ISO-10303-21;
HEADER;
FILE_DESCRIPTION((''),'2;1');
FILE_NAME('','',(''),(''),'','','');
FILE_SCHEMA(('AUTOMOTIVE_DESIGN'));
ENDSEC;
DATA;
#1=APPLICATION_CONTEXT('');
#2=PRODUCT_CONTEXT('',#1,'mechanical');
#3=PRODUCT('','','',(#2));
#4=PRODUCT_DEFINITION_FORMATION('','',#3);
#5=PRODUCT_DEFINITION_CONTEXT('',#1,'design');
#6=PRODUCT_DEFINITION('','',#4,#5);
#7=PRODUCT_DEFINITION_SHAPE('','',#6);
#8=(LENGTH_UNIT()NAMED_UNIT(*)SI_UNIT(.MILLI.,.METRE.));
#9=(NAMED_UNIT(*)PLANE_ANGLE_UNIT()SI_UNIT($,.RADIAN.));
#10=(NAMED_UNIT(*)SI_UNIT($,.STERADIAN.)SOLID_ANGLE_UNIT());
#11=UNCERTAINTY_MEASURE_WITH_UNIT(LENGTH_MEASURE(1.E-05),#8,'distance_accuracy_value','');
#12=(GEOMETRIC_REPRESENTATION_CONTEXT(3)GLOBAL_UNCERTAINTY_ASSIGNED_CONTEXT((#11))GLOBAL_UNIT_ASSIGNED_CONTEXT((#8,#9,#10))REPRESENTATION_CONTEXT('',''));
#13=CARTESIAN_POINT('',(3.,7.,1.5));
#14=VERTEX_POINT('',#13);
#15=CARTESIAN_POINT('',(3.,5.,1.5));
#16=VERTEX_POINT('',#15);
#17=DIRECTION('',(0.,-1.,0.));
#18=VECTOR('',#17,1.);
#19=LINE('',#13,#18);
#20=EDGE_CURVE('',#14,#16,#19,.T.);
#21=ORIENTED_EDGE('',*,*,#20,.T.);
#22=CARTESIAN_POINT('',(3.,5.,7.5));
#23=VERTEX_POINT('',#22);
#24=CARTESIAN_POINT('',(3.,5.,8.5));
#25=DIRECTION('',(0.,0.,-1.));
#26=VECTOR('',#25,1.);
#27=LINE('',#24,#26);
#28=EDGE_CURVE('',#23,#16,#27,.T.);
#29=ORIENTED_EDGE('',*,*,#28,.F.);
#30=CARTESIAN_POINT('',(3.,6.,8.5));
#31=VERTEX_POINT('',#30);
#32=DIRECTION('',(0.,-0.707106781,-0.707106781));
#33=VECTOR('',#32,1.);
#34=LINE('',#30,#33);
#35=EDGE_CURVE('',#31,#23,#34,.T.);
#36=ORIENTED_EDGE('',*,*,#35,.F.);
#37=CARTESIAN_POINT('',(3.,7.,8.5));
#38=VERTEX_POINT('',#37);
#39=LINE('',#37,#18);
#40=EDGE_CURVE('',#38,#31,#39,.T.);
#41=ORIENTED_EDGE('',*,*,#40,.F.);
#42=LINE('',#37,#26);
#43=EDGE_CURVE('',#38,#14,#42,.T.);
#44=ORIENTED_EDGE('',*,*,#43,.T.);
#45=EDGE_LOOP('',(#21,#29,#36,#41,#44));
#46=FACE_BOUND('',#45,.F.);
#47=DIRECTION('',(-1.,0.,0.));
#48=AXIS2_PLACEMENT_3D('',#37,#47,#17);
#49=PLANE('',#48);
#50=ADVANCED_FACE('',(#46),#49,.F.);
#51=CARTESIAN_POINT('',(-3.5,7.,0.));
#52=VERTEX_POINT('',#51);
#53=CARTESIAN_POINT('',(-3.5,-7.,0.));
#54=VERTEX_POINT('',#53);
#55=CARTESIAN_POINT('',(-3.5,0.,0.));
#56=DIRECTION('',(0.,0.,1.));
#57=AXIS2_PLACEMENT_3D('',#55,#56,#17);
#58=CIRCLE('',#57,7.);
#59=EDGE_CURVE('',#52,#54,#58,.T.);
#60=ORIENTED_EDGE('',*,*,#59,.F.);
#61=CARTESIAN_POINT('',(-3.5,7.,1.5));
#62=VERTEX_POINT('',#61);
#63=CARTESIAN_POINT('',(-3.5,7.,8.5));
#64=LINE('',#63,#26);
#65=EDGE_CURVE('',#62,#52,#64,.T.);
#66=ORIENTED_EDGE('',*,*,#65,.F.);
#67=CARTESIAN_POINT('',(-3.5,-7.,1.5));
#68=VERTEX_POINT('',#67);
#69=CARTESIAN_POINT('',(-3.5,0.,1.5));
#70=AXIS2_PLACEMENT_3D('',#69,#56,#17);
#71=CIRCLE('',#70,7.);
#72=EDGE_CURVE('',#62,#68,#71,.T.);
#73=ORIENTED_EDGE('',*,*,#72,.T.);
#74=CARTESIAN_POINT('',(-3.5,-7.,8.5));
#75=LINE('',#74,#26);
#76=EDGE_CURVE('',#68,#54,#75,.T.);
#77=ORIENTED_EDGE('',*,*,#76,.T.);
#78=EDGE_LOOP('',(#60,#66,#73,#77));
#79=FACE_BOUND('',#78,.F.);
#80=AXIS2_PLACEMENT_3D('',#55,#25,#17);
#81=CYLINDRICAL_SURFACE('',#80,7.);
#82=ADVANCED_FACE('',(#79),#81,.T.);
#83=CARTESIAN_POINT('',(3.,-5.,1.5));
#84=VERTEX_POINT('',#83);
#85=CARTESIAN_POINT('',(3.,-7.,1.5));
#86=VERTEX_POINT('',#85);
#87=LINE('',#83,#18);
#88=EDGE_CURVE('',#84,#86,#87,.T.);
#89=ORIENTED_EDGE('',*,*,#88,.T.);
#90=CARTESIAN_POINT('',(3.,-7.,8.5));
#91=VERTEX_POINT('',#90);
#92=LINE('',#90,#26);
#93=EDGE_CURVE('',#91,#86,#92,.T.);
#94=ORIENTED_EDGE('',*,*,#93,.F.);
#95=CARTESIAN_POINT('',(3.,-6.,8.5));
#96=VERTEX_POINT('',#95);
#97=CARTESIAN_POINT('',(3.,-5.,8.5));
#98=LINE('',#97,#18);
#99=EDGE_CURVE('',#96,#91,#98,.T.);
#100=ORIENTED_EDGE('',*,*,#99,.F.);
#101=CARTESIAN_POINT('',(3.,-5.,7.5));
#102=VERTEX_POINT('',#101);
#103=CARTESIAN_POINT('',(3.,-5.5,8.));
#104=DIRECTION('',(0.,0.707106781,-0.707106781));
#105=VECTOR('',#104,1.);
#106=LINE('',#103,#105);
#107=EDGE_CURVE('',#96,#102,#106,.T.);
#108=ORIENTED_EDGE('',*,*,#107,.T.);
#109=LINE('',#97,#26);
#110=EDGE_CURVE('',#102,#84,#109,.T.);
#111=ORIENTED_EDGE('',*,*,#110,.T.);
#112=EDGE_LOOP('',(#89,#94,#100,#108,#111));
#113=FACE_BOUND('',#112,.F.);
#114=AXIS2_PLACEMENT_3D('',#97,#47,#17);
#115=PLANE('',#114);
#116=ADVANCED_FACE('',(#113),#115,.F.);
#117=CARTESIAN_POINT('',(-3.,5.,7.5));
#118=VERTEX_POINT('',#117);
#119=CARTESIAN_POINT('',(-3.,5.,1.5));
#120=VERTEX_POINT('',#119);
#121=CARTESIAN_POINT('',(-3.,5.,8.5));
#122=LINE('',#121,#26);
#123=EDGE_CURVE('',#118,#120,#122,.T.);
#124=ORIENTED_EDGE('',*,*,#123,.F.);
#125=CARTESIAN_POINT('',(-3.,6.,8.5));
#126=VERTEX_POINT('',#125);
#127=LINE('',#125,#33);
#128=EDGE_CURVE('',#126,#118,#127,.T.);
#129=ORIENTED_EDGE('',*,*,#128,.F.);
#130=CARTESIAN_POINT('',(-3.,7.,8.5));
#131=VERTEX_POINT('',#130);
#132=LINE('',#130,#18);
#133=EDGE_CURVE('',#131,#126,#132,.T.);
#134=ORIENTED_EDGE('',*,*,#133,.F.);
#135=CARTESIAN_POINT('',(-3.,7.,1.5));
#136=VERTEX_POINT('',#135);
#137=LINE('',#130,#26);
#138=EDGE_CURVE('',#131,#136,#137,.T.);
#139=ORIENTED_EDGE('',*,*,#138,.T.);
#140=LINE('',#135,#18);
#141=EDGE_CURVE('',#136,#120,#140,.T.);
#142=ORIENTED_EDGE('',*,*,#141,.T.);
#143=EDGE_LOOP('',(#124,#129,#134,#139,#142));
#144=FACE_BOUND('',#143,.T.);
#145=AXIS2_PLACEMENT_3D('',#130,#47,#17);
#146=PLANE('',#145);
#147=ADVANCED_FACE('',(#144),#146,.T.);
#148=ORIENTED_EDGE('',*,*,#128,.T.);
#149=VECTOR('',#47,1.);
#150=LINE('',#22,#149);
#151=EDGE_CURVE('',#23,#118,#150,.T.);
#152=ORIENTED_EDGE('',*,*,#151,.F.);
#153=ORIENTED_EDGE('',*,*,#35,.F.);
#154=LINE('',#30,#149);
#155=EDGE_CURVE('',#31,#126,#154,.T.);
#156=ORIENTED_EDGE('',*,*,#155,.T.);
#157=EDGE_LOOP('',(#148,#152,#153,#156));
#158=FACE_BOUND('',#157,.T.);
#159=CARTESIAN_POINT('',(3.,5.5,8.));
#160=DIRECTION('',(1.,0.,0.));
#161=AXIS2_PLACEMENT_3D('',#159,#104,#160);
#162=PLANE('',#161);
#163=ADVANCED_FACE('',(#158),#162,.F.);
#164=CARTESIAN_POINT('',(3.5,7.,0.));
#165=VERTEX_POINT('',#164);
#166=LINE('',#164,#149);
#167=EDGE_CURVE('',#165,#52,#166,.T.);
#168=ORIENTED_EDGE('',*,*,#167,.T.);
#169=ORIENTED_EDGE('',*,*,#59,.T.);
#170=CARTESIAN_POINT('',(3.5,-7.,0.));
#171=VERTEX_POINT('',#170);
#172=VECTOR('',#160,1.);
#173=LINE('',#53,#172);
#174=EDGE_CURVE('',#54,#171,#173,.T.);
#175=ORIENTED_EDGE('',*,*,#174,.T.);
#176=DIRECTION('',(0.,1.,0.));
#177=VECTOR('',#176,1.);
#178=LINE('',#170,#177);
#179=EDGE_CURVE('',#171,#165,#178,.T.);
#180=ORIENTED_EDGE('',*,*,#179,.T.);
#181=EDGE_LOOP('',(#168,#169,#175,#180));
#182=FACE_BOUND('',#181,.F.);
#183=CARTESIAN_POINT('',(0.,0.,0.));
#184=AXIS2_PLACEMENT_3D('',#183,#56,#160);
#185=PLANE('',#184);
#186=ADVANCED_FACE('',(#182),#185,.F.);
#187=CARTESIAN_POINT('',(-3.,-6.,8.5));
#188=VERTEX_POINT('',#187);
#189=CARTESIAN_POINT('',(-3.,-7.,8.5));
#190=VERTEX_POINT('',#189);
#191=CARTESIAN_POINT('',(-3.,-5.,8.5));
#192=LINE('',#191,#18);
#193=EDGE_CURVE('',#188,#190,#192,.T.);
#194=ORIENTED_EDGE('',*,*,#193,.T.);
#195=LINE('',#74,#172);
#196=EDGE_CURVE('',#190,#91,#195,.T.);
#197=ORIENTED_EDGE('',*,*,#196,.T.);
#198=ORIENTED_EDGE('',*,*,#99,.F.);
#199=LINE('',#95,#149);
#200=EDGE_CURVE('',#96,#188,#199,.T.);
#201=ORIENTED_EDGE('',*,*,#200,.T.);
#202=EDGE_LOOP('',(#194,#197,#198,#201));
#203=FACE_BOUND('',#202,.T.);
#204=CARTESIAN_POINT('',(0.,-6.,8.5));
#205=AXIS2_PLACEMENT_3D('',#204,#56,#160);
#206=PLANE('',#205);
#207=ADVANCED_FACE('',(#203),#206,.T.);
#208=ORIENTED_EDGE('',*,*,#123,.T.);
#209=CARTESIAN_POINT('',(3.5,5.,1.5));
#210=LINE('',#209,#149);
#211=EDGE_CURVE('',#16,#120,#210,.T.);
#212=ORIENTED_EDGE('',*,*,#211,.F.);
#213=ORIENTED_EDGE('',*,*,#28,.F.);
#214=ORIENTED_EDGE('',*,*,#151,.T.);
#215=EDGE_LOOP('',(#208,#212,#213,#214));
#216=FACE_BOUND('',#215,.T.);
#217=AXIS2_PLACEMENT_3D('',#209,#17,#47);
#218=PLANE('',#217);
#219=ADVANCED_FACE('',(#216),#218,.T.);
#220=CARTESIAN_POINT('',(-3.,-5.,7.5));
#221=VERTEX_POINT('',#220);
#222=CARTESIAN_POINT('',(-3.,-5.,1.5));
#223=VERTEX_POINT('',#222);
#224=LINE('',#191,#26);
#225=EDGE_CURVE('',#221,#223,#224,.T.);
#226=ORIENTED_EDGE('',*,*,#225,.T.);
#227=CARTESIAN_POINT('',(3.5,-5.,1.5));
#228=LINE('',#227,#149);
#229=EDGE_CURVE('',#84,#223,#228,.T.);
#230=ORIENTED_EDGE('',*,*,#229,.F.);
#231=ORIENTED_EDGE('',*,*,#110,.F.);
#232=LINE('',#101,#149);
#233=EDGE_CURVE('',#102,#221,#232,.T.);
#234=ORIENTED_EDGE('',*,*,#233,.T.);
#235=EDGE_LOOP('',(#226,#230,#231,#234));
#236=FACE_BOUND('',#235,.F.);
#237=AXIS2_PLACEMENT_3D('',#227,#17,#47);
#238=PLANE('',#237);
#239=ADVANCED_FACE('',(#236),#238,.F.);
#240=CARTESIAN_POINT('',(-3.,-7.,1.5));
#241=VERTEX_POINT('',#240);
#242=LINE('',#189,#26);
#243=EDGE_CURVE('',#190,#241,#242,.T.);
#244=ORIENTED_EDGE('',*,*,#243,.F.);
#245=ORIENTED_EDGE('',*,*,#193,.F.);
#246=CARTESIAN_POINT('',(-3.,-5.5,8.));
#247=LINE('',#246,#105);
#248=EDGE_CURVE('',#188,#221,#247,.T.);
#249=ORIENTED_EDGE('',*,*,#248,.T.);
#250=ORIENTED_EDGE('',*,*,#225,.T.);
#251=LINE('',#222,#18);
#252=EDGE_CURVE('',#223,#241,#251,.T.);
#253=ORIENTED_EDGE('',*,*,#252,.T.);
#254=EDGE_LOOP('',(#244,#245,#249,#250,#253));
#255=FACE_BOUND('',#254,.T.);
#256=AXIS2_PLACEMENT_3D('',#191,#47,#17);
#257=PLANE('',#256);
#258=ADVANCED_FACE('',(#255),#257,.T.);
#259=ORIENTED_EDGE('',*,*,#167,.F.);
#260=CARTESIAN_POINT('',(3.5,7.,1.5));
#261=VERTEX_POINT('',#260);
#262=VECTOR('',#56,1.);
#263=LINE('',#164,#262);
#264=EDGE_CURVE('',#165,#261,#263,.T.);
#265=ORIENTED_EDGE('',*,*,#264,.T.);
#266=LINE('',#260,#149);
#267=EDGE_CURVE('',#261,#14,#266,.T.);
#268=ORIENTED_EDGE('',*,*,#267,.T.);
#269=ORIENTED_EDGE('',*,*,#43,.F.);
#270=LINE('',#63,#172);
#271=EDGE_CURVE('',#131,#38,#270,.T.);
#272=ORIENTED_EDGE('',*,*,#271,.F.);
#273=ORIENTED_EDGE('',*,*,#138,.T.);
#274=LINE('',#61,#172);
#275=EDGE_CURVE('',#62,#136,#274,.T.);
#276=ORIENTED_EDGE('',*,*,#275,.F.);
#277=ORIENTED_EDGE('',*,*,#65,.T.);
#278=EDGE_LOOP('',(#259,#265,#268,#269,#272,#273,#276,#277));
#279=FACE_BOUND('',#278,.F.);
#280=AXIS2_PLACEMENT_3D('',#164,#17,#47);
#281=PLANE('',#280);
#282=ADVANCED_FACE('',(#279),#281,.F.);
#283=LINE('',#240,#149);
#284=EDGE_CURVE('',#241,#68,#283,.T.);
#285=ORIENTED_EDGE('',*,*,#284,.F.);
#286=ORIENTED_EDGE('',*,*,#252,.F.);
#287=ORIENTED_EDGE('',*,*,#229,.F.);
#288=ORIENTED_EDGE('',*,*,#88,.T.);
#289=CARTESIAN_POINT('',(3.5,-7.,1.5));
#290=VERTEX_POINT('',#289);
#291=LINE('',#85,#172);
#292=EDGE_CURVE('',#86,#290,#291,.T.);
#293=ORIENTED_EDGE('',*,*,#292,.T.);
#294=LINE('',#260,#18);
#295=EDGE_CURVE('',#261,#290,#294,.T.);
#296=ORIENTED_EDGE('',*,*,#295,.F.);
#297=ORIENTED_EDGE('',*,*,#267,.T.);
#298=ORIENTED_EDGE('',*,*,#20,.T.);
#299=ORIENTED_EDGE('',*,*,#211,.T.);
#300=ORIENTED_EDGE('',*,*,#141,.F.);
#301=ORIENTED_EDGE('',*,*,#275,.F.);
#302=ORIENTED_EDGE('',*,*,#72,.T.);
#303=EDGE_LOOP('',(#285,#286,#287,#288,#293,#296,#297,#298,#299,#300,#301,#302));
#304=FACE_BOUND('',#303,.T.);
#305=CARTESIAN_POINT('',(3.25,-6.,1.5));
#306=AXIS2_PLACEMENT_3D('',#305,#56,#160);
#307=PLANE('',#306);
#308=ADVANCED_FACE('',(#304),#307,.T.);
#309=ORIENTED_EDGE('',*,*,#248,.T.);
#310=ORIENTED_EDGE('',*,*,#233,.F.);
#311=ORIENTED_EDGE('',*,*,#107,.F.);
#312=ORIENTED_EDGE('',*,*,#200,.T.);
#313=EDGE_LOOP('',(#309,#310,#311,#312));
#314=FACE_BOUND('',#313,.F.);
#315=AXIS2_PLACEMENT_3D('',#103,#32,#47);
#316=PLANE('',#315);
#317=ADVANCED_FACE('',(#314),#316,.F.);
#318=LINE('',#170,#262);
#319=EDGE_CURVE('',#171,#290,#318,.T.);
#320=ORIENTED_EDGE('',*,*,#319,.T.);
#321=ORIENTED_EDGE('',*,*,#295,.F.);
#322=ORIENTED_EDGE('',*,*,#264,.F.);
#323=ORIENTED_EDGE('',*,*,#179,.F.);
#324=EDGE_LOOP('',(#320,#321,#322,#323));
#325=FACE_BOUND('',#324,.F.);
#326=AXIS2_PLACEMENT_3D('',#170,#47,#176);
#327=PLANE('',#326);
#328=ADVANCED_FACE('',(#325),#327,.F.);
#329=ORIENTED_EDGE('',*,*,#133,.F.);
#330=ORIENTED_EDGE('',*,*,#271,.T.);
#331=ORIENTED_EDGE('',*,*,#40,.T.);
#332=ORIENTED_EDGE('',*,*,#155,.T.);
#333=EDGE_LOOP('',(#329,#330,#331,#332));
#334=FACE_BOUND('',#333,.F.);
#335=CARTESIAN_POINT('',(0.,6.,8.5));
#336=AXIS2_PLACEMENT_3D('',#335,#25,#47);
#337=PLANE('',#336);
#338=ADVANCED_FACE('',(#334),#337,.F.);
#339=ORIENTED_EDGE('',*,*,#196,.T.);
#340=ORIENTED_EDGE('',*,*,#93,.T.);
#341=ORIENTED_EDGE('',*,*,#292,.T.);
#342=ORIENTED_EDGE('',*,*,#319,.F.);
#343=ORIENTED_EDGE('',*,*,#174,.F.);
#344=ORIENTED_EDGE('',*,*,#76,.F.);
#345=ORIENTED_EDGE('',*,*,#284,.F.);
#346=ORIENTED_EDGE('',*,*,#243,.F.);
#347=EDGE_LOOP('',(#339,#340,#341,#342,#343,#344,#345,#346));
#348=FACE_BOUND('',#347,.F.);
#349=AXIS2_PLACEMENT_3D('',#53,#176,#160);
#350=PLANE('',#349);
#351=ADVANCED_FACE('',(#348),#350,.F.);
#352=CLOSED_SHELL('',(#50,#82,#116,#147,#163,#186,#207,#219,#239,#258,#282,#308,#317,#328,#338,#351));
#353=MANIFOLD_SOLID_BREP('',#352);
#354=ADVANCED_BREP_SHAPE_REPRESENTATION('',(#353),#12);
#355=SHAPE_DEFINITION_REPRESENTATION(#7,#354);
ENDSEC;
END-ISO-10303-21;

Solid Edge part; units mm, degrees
sketch "Sketch1" plane through (0, 0, 0) normal (0, 0, 1) x (1, 0, 0)
  line L0 (-3.5, -7) -> (3.5, -7)
  line L1 (3.5, -7) -> (3.5, 7)
  line L2 (3.5, 7) -> (-3.5, 7)
  line L3 (-3.5, 7) -> (-3.5, -7)
  dimension "D1" = 7
  dimension "D2" = 14
extrude "Protrusion1" add sketch "Sketch1" along normal blind 1.5
sketch "Sketch2" plane through (0, 0, 1.5) normal (0, 0, 1) x (1, 0, 0)
  line L0 (-3.5, 7) -> (3.5, 7)
  line L1 (3.5, 7) -> (3.5, 5)
  line L2 (3.5, 5) -> (-3.5, 5)
  line L3 (-3.5, 5) -> (-3.5, 7)
  line L4 (-3.5, -7) -> (3.5, -7)
  line L5 (3.5, -7) -> (3.5, -5)
  line L6 (3.5, -5) -> (-3.5, -5)
  line L7 (-3.5, -5) -> (-3.5, -7)
  dimension "D1" = 2
extrude "Extrusionsausprägung_2" add sketch "Sketch2" along normal blind 7
sketch "Sketch3" plane through (0, 0, 0) normal (0, 0, -1) x (0, -1, 0)
  line L0 (-7, 3.5) -> (7, 3.5)
  arc A0 (-7, 3.5) -> (7, 3.5) centre (0, 3.5) cw
  dimension "D1" = 7
extrude "Extrusionsausprägung_3" add sketch "Sketch3" against normal blind 1.5
sketch "Sketch4" plane through (0, 6, 8.5) normal (0, 0, 1) x (1, 0, 0)
  line L0 (-3.5, 1) -> (-3, 1)
  line L1 (-3, 1) -> (-3, -1)
  line L2 (-3, -1) -> (-3.5, -1)
  line L3 (-3.5, -1) -> (-3.5, 1)
  line L4 (3.5, 1) -> (3, 1)
  line L5 (3, 1) -> (3, -1)
  line L6 (3, -1) -> (3.5, -1)
  line L7 (3.5, -1) -> (3.5, 1)
  line L8 (-3.5, -11) -> (-3, -11)
  line L9 (-3, -11) -> (-3, -13)
  line L10 (-3, -13) -> (-3.5, -13)
  line L11 (-3.5, -13) -> (-3.5, -11)
  line L12 (3.5, -11) -> (3, -11)
  line L13 (3, -11) -> (3, -13)
  line L14 (3, -13) -> (3.5, -13)
  line L15 (3.5, -13) -> (3.5, -11)
  dimension "D1" = 0.5
extrude "Cutout1" cut sketch "Sketch4" against normal up to vertex (7 mm away)
chamfer "Fase_1" distance 1 angle 45 2 edges at (0, 5, 8.5) (0, -5, 8.5)
properties material "Nylon, allgemein"
